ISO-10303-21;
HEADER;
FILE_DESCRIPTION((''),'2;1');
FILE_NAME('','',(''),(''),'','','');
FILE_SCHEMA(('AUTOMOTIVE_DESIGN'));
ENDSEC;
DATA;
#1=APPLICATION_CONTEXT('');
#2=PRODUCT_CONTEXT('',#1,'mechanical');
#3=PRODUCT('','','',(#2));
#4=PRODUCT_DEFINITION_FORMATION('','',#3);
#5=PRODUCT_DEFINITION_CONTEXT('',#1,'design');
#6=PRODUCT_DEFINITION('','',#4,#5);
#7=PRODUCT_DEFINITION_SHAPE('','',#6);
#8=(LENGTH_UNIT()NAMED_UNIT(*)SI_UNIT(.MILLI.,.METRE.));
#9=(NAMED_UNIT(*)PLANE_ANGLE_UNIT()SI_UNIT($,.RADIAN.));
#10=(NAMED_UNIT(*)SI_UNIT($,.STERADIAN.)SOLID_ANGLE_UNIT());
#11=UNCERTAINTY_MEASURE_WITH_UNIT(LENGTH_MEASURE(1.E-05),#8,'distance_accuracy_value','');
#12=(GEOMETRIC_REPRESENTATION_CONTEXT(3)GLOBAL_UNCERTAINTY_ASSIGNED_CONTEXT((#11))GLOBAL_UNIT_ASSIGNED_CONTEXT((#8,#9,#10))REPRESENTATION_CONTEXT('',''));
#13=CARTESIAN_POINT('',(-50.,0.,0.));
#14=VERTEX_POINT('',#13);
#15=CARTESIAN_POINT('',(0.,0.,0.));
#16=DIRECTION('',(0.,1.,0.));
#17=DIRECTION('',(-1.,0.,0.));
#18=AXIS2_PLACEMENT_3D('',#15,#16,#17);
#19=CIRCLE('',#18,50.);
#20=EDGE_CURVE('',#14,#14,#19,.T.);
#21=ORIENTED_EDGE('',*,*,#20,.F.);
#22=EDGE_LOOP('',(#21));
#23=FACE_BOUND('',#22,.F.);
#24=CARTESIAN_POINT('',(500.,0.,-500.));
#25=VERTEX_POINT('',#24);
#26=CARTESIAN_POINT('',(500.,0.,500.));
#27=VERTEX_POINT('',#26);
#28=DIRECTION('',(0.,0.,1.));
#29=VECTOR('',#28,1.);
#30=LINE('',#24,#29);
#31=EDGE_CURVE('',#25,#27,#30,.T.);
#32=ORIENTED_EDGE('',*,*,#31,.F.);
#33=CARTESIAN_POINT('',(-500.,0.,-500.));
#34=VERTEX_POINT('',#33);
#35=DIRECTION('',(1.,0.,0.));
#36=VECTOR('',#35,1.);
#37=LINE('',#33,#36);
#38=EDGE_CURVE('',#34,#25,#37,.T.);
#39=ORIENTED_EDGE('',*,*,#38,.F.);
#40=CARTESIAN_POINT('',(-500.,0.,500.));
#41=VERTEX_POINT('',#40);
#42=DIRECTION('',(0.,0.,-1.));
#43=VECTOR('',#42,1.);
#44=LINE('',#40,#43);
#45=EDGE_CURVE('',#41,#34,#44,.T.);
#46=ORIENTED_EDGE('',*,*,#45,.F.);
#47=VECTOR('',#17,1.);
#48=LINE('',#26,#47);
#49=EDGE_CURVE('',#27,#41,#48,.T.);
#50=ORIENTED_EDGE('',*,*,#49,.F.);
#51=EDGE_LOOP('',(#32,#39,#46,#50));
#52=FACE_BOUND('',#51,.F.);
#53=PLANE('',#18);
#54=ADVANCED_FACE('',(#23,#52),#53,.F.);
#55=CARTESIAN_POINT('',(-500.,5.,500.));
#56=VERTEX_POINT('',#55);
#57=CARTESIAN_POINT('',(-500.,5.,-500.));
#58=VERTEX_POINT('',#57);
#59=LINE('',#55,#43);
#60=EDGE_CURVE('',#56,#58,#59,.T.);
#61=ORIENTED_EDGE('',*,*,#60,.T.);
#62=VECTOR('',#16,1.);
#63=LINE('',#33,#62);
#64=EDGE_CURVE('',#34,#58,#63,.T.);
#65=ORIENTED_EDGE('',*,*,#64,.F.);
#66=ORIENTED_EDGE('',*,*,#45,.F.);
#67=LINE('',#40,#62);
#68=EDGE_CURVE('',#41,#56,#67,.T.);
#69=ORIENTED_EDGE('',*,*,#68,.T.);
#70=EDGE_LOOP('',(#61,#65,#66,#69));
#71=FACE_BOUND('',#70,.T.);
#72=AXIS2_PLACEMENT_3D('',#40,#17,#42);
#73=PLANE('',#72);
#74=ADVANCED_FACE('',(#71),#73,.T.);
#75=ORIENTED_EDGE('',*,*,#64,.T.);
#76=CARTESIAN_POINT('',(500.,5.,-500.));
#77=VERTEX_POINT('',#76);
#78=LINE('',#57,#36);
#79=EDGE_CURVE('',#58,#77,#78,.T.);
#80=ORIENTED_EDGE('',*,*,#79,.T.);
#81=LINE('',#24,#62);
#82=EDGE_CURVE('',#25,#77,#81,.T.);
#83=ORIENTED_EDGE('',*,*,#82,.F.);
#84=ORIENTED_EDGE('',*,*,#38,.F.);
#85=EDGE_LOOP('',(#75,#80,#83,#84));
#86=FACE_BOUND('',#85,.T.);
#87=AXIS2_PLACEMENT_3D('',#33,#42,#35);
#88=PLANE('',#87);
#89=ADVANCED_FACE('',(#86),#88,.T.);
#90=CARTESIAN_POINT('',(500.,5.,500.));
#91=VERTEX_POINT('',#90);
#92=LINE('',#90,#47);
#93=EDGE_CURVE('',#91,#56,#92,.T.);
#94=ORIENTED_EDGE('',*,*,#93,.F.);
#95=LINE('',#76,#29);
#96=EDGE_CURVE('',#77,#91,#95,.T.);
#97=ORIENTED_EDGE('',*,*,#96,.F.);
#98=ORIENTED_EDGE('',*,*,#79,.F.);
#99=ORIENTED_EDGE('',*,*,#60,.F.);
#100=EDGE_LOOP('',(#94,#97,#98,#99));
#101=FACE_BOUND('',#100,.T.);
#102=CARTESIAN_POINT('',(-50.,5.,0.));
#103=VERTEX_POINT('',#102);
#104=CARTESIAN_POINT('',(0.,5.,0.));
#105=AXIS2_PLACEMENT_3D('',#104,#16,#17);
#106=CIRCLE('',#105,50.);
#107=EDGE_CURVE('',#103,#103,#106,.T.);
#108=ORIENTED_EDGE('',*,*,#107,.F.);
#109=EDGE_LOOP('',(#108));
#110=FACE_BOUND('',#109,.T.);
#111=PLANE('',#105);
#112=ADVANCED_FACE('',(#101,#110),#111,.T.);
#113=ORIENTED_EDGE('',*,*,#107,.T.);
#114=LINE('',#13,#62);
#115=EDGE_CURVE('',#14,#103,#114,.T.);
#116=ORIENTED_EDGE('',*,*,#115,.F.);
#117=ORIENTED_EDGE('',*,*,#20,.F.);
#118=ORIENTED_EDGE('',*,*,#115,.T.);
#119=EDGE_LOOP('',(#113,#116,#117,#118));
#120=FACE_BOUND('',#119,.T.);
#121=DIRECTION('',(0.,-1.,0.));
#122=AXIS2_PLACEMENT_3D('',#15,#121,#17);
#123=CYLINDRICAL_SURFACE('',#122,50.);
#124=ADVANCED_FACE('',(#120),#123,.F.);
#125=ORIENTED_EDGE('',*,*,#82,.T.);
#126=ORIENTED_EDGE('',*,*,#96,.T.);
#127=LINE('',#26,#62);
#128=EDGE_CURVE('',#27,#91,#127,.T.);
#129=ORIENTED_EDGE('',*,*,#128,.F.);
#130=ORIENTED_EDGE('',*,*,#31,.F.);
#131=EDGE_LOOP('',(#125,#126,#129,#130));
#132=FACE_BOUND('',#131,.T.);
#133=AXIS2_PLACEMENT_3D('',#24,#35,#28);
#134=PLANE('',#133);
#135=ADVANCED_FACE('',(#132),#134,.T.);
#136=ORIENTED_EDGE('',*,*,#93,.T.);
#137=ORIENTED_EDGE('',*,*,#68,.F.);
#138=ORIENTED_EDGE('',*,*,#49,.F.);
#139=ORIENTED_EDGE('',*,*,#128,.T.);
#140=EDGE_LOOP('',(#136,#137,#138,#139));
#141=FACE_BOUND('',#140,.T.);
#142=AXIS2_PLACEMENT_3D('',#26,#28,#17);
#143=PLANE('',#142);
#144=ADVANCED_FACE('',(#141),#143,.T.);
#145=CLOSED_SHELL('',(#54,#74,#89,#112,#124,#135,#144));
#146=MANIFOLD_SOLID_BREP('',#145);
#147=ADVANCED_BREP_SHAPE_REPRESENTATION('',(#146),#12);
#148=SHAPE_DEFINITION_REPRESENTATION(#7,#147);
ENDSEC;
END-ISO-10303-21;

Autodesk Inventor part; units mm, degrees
ref_plane "YZ Plane" through (0, 0, 0) normal (1, 0, 0) x (0, 1, 0)
ref_plane "XZ Plane" through (0, 0, 0) normal (0, 1, 0) x (-1, 0, 0)
ref_plane "XY Plane" through (0, 0, 0) normal (0, 0, 1) x (1, 0, 0)
sketch "Sketch1" plane through (0, 0, 0) normal (0, 1, 0) x (-1, 0, 0)
  circle A0 centre (0, 0) radius 438.1 construction
  line L0 (500, -500) -> (-500, -500)
  line L1 (-500, -500) -> (-500, 500)
  line L2 (-500, 500) -> (500, 500)
  line L3 (500, 500) -> (500, -500)
  line L4 (0, -248.7708) -> (0, 248.7708) construction
  line L5 (-1768.3221, 0) -> (1768.3221, 0) construction
  circle A1 centre (0, 0) radius 50
  dimension "d0" = 876.2
  dimension "d1" = 1000
  dimension "d2" = 1000
  dimension "d5" = 100
extrude "Extrusion1" add sketch "Sketch1" along normal blind 5
properties part number "StatorGroundPlate"
